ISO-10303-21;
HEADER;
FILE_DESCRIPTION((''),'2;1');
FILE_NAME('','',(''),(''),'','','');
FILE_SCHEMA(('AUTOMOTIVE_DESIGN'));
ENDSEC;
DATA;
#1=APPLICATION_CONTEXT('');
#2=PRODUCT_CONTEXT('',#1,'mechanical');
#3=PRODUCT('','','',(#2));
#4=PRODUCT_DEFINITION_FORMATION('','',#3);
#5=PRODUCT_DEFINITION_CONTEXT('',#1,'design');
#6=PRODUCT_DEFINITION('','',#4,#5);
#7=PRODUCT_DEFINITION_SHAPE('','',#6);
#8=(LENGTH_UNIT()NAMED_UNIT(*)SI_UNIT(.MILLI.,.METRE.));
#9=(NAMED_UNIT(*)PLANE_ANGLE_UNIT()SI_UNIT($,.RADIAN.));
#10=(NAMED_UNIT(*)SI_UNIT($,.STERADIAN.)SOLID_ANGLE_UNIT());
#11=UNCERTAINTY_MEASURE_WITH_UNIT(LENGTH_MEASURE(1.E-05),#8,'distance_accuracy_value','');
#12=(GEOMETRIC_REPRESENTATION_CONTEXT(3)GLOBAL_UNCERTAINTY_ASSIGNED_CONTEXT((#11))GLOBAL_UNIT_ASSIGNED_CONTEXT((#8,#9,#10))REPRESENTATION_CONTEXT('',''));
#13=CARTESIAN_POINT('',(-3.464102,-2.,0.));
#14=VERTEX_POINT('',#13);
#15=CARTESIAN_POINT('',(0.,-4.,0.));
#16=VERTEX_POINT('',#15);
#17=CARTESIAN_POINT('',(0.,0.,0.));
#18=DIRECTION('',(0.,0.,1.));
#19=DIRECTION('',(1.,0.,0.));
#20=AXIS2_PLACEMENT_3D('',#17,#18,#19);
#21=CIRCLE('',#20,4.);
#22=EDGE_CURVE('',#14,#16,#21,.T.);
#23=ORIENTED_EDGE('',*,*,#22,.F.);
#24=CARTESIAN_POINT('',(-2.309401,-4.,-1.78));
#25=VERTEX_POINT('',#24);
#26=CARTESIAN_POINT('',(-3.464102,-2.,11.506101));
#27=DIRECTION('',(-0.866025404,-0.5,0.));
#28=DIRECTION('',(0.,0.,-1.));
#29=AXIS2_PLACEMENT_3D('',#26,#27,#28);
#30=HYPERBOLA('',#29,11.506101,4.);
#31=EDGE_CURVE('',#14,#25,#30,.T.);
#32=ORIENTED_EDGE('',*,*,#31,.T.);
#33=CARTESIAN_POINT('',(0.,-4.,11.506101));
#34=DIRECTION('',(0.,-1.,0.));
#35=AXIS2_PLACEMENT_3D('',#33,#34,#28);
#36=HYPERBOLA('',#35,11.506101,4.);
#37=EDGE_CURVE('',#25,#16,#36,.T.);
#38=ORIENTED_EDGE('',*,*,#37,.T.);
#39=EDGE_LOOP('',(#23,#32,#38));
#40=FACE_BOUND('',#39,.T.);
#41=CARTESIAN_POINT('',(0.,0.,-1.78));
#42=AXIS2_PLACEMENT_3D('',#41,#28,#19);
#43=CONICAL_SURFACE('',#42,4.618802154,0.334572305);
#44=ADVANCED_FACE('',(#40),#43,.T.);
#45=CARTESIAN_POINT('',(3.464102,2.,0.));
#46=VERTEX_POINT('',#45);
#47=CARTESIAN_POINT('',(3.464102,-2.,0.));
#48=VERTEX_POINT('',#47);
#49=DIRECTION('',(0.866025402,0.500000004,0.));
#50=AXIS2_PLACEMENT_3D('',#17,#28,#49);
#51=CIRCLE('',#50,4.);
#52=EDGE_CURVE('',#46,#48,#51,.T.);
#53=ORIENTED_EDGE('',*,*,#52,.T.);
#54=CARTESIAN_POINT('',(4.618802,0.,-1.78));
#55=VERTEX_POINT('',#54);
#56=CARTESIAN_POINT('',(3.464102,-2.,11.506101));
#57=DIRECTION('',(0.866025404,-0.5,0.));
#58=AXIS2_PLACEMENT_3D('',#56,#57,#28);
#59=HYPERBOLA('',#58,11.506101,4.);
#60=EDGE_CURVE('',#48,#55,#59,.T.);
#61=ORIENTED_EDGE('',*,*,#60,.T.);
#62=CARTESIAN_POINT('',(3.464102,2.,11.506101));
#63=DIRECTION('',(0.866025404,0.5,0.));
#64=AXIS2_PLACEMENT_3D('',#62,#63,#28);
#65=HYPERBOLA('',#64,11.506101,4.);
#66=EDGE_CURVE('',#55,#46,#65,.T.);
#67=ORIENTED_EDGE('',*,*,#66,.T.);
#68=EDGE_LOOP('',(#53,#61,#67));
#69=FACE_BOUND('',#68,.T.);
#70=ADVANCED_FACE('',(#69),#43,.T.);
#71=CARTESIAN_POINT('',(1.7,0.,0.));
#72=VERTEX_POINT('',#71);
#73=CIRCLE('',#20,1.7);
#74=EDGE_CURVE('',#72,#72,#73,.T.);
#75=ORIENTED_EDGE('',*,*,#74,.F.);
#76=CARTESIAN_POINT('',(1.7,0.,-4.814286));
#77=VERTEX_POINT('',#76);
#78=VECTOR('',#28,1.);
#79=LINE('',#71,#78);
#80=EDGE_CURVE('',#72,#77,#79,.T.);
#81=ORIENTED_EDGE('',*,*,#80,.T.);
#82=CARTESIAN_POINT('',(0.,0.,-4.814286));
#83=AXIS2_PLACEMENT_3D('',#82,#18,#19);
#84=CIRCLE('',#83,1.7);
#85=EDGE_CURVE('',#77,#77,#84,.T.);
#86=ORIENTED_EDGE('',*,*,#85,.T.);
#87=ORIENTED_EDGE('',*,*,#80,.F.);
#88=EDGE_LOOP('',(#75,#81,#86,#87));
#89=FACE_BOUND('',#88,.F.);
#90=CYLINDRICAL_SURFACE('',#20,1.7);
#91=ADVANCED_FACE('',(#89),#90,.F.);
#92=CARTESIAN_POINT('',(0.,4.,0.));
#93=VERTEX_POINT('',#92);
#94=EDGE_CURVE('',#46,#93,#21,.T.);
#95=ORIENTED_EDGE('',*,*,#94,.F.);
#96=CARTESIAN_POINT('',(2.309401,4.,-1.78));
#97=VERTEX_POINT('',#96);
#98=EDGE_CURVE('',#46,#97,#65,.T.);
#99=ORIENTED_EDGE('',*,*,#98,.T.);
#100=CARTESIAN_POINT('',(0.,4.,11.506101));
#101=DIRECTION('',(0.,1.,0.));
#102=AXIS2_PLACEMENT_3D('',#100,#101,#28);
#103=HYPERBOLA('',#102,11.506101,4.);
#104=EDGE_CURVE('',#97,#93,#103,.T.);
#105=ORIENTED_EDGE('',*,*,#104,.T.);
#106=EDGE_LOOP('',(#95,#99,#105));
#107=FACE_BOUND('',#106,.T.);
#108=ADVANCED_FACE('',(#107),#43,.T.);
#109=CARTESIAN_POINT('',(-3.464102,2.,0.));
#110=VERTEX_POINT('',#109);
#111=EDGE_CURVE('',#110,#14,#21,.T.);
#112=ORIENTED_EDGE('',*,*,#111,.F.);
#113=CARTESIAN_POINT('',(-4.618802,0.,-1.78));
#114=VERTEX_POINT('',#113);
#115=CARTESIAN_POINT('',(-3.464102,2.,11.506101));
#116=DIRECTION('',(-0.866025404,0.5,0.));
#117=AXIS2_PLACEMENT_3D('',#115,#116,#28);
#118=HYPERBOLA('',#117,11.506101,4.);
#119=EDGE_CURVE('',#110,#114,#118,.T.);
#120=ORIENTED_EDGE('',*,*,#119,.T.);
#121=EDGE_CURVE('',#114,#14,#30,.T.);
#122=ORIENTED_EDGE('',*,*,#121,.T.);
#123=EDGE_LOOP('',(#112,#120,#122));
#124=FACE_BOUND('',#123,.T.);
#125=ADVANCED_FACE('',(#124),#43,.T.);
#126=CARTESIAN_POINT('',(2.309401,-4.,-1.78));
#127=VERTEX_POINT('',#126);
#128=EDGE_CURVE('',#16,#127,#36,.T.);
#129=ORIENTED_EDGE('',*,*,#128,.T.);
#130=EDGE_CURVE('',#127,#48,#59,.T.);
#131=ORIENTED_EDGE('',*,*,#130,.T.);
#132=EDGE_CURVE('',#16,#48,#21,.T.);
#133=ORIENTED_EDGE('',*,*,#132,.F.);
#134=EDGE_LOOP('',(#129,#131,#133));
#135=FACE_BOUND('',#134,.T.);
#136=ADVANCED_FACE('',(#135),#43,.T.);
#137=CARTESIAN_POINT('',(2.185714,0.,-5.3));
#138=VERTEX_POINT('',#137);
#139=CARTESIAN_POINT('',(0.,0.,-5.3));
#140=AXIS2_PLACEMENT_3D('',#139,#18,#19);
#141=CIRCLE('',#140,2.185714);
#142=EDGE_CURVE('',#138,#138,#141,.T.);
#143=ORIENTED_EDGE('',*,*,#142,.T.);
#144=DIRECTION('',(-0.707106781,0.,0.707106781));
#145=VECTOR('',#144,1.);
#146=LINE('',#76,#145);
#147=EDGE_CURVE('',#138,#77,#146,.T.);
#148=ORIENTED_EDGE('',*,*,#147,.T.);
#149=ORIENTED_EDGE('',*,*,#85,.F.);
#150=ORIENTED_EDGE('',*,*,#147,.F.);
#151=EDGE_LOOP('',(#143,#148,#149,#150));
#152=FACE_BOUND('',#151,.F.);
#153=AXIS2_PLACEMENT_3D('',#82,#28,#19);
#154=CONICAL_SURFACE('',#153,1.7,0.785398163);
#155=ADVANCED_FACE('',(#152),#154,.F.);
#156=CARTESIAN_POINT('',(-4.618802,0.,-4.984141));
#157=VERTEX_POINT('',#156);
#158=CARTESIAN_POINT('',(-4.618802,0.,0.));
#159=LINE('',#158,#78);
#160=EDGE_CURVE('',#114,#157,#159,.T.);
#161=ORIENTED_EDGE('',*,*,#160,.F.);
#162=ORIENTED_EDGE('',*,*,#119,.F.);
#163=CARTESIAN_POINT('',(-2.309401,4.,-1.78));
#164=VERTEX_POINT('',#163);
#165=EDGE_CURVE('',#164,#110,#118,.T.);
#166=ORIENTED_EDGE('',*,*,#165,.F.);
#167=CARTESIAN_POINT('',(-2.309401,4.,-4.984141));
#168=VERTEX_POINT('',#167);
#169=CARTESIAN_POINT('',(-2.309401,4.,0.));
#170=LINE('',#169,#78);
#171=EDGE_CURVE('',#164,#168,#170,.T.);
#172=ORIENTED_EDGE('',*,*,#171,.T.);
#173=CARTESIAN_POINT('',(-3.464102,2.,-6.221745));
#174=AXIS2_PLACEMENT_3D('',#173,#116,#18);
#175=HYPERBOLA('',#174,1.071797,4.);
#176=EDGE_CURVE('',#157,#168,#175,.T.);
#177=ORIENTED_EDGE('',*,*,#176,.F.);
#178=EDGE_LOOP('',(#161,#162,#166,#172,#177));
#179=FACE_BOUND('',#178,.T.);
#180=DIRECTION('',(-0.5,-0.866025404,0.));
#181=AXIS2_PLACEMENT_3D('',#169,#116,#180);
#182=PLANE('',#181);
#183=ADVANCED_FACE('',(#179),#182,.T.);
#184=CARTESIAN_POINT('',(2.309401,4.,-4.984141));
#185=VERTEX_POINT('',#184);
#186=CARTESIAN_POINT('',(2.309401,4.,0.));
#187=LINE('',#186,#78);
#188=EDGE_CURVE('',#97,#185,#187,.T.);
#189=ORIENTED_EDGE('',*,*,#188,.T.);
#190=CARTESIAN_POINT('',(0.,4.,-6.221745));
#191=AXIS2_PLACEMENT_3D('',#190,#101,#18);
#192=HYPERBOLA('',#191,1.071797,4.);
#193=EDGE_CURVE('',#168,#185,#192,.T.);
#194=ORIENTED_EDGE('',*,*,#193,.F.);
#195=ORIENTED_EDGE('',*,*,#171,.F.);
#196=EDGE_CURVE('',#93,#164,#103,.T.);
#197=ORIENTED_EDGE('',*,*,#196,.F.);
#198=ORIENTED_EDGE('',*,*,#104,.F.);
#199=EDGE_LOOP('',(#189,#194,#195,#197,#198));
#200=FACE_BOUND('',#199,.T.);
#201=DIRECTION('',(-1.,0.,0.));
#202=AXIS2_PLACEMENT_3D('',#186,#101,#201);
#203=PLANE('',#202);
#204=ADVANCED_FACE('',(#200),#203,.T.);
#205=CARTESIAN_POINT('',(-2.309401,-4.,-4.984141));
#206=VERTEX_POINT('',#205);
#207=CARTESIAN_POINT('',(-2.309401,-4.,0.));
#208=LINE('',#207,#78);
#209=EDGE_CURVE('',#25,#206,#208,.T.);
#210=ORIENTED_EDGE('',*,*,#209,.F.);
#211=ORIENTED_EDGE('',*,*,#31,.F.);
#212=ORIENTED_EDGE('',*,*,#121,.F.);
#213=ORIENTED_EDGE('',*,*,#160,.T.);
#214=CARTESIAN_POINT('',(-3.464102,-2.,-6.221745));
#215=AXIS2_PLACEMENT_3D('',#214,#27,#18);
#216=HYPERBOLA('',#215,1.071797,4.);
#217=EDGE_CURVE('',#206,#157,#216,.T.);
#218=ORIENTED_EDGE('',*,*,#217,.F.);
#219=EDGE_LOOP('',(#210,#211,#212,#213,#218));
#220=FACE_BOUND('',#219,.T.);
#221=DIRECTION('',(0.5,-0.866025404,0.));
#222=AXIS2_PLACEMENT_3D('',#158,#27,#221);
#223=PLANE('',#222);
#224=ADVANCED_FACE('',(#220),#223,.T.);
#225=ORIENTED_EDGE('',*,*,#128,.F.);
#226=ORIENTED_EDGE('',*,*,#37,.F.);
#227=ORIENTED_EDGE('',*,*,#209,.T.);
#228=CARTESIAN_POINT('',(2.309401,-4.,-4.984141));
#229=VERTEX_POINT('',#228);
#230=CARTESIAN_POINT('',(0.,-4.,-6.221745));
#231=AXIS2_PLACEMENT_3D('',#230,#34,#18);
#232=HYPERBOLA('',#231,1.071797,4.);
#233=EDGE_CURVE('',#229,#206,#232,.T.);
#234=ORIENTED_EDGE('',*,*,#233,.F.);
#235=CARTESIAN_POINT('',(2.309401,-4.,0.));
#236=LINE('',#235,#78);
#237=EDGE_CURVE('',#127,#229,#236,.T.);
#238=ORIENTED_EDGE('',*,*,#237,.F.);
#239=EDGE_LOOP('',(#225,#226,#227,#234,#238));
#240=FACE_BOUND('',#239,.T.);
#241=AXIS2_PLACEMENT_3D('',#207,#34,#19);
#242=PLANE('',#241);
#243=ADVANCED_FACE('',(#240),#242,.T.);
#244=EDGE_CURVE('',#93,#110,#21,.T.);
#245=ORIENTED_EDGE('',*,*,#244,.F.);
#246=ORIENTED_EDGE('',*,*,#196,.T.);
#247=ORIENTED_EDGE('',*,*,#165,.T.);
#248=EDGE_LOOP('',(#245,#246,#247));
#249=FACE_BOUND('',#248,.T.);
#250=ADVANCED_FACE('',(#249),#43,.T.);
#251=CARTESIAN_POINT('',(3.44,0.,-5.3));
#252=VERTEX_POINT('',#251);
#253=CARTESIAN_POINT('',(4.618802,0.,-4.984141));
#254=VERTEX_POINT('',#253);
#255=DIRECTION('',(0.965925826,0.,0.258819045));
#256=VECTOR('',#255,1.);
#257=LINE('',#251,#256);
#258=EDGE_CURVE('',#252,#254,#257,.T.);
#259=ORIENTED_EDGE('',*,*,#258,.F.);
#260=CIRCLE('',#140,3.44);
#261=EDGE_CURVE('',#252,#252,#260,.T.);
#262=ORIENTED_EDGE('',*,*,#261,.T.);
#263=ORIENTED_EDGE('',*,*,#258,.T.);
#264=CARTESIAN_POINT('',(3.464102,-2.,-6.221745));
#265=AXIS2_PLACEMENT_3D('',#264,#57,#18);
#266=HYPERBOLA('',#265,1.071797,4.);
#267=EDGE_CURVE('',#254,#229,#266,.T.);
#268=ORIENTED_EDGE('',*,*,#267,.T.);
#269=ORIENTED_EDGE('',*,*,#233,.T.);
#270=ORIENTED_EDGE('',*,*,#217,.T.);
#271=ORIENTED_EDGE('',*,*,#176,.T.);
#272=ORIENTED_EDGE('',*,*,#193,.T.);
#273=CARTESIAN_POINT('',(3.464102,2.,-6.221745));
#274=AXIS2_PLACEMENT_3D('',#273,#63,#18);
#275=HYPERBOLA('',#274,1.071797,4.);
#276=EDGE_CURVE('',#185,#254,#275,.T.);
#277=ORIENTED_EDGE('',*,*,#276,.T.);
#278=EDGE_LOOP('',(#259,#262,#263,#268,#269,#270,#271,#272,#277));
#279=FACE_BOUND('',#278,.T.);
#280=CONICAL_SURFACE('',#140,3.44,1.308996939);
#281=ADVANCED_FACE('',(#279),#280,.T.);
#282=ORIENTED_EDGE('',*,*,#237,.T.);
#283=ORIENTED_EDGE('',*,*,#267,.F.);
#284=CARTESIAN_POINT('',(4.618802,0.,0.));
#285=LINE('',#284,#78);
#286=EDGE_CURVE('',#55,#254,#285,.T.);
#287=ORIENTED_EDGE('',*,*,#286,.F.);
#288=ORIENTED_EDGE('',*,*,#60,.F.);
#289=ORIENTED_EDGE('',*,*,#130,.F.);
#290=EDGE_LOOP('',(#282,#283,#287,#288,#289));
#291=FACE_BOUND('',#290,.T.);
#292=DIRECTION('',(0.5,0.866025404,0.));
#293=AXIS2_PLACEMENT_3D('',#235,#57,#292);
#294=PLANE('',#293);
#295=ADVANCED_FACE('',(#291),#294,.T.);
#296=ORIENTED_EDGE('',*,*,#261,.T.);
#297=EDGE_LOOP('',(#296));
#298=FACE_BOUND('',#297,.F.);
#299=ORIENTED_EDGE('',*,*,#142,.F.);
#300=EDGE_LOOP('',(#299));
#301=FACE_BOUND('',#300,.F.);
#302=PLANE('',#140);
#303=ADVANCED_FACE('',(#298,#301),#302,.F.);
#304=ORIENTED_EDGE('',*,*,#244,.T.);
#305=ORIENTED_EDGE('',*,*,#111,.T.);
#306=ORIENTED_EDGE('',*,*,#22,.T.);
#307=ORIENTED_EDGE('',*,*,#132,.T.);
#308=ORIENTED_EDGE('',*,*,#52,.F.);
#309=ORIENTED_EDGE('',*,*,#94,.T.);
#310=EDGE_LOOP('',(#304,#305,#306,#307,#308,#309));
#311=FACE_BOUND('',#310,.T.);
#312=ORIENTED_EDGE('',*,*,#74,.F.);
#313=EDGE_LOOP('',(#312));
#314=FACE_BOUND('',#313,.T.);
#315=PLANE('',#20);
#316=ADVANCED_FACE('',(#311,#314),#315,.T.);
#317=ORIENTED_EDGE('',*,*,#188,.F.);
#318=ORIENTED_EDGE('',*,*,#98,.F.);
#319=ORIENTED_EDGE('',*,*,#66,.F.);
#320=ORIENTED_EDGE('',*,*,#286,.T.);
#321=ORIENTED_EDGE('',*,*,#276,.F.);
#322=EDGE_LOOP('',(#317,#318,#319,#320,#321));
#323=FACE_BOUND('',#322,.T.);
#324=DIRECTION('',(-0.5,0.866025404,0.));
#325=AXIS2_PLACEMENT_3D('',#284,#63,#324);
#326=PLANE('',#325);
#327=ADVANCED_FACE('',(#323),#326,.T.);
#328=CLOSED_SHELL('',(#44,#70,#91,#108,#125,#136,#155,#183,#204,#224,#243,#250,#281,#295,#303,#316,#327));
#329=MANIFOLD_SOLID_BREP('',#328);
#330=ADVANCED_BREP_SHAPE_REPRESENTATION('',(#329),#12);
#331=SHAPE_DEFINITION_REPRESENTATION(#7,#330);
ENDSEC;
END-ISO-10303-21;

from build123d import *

# Parameters (mm, degrees)
BASENUT_DEPTH   = 5.3
SKETCH3_R       = 1.7
HOLE_DEPTH      = 6.3
ENDCHAMFER_SIZE = 0.485714286


with BuildPart() as part:
    # Sketch1 → BaseNut (new body)
    with BuildSketch(Plane.XY):
        Polygon((2.309401077, -4), (4.618802154, 0), (2.309401077, 4), (-2.309401077, 4), (-4.618802154, 0), (-2.309401077, -4), align=None)
    extrude(amount=-BASENUT_DEPTH)

    # Sketch2 → Double-Chamfer (revolve, cut)
    with BuildSketch(Plane(origin=(0.481162538, 0, -5.099964691), x_dir=(0, 0, -1), z_dir=(0, -1, 0))):
        Polygon((-0.115823776, 4.137639616), (0.200035309, 4.137639616), (0.200035309, 2.958837462), align=None)
        Polygon((-5.099964691, 4.137639616), (-3.319964691, 4.137639616), (-5.099964691, 3.518837462), align=None)
    revolve(axis=Axis((0, 0, -4.462865094), (0, 0, 1)), mode=Mode.SUBTRACT)

    # Sketch3 → Hole (cut, through all)
    with BuildSketch(Plane.XY):
        Circle(SKETCH3_R)
    extrude(amount=-HOLE_DEPTH, mode=Mode.SUBTRACT)

    # EndChamfer
    endchamfer_edges = [part.edges().sort_by_distance(p)[0] for p in [
        (-1.7, 0, -5.3),
    ]]
    chamfer(endchamfer_edges, length=ENDCHAMFER_SIZE)


solid = part.part
